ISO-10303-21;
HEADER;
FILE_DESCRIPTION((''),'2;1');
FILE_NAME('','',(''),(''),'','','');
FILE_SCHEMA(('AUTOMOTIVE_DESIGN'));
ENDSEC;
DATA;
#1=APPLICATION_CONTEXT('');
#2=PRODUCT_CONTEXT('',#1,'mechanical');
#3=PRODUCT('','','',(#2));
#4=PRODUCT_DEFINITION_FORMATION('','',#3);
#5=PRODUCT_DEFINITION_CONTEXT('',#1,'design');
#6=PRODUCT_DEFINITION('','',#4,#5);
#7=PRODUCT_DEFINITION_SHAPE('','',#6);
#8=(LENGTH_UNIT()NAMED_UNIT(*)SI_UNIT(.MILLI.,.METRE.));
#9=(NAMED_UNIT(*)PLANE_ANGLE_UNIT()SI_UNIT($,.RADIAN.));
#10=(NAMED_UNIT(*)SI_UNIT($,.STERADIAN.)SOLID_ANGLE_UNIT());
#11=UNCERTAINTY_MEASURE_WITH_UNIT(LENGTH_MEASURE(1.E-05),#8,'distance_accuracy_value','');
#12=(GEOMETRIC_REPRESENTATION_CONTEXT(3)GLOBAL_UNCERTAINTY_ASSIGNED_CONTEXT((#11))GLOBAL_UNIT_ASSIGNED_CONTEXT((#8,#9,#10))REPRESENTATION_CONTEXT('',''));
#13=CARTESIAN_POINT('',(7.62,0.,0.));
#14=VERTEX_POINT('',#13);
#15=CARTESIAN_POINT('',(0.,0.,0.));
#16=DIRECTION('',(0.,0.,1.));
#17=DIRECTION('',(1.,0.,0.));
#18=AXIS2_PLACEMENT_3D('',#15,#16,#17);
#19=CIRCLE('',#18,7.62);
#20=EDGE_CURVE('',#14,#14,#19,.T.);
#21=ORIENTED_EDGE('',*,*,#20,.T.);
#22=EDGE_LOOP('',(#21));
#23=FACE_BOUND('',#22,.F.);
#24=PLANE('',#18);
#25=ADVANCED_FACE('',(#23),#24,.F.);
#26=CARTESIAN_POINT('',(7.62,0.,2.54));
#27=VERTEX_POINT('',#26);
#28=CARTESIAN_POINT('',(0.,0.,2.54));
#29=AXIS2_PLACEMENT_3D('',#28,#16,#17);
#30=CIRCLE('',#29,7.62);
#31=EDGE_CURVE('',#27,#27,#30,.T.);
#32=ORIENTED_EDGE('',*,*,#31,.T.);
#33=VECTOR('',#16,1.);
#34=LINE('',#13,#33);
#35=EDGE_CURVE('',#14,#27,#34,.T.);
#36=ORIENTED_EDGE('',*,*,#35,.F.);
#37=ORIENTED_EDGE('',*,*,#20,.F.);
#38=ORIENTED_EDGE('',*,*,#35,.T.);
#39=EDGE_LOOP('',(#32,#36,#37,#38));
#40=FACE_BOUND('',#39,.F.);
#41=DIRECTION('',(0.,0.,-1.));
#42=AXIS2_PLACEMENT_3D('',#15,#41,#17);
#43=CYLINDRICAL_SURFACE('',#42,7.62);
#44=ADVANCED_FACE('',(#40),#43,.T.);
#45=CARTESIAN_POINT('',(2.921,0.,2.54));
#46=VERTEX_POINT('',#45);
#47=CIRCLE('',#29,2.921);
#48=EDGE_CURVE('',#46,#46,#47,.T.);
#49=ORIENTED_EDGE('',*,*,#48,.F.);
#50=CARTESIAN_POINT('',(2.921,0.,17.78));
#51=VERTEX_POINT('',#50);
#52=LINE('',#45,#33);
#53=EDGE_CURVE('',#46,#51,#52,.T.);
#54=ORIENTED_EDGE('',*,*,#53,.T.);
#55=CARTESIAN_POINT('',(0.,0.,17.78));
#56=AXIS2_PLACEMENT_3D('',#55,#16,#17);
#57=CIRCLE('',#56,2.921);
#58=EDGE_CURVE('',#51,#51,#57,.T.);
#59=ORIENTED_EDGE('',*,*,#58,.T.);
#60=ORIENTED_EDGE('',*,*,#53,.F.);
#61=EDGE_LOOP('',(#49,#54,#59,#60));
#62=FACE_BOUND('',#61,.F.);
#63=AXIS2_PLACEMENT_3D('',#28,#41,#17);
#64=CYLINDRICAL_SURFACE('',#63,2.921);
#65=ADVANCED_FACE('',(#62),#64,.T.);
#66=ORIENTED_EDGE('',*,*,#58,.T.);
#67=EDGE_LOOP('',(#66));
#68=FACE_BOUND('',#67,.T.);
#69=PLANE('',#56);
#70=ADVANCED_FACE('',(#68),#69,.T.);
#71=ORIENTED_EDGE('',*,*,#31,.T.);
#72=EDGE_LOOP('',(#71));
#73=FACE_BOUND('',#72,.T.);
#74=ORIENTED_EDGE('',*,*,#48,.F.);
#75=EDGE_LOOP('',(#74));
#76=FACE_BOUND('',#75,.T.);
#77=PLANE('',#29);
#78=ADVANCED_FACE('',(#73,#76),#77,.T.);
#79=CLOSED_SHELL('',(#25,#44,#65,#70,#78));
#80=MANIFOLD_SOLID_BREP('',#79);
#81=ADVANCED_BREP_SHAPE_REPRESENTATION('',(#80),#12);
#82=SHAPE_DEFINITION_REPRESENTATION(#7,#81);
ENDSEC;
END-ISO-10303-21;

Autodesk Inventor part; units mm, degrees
ref_plane "YZ Plane" through (0, 0, 0) normal (1, 0, 0) x (0, 1, 0)
ref_plane "XZ Plane" through (0, 0, 0) normal (0, 1, 0) x (-1, 0, 0)
ref_plane "XY Plane" through (0, 0, 0) normal (0, 0, 1) x (1, 0, 0)
sketch "Sketch1" plane through (0, 0, 0) normal (0, 0, 1) x (1, 0, 0)
  circle A0 centre (0, 0) radius 7.62
  dimension "d0" = 15.24
extrude "Extrusion1" add sketch "Sketch1" along normal blind 2.54
sketch "Sketch2" plane through (0, 0, 2.54) normal (0, 0, 1) x (1, 0, 0)
  circle A0 centre (0, 0) radius 2.921
  dimension "d3" = 5.842
extrude "Extrusion2" add sketch "Sketch2" along normal blind 15.24
properties part number "Frame mount rivet"
